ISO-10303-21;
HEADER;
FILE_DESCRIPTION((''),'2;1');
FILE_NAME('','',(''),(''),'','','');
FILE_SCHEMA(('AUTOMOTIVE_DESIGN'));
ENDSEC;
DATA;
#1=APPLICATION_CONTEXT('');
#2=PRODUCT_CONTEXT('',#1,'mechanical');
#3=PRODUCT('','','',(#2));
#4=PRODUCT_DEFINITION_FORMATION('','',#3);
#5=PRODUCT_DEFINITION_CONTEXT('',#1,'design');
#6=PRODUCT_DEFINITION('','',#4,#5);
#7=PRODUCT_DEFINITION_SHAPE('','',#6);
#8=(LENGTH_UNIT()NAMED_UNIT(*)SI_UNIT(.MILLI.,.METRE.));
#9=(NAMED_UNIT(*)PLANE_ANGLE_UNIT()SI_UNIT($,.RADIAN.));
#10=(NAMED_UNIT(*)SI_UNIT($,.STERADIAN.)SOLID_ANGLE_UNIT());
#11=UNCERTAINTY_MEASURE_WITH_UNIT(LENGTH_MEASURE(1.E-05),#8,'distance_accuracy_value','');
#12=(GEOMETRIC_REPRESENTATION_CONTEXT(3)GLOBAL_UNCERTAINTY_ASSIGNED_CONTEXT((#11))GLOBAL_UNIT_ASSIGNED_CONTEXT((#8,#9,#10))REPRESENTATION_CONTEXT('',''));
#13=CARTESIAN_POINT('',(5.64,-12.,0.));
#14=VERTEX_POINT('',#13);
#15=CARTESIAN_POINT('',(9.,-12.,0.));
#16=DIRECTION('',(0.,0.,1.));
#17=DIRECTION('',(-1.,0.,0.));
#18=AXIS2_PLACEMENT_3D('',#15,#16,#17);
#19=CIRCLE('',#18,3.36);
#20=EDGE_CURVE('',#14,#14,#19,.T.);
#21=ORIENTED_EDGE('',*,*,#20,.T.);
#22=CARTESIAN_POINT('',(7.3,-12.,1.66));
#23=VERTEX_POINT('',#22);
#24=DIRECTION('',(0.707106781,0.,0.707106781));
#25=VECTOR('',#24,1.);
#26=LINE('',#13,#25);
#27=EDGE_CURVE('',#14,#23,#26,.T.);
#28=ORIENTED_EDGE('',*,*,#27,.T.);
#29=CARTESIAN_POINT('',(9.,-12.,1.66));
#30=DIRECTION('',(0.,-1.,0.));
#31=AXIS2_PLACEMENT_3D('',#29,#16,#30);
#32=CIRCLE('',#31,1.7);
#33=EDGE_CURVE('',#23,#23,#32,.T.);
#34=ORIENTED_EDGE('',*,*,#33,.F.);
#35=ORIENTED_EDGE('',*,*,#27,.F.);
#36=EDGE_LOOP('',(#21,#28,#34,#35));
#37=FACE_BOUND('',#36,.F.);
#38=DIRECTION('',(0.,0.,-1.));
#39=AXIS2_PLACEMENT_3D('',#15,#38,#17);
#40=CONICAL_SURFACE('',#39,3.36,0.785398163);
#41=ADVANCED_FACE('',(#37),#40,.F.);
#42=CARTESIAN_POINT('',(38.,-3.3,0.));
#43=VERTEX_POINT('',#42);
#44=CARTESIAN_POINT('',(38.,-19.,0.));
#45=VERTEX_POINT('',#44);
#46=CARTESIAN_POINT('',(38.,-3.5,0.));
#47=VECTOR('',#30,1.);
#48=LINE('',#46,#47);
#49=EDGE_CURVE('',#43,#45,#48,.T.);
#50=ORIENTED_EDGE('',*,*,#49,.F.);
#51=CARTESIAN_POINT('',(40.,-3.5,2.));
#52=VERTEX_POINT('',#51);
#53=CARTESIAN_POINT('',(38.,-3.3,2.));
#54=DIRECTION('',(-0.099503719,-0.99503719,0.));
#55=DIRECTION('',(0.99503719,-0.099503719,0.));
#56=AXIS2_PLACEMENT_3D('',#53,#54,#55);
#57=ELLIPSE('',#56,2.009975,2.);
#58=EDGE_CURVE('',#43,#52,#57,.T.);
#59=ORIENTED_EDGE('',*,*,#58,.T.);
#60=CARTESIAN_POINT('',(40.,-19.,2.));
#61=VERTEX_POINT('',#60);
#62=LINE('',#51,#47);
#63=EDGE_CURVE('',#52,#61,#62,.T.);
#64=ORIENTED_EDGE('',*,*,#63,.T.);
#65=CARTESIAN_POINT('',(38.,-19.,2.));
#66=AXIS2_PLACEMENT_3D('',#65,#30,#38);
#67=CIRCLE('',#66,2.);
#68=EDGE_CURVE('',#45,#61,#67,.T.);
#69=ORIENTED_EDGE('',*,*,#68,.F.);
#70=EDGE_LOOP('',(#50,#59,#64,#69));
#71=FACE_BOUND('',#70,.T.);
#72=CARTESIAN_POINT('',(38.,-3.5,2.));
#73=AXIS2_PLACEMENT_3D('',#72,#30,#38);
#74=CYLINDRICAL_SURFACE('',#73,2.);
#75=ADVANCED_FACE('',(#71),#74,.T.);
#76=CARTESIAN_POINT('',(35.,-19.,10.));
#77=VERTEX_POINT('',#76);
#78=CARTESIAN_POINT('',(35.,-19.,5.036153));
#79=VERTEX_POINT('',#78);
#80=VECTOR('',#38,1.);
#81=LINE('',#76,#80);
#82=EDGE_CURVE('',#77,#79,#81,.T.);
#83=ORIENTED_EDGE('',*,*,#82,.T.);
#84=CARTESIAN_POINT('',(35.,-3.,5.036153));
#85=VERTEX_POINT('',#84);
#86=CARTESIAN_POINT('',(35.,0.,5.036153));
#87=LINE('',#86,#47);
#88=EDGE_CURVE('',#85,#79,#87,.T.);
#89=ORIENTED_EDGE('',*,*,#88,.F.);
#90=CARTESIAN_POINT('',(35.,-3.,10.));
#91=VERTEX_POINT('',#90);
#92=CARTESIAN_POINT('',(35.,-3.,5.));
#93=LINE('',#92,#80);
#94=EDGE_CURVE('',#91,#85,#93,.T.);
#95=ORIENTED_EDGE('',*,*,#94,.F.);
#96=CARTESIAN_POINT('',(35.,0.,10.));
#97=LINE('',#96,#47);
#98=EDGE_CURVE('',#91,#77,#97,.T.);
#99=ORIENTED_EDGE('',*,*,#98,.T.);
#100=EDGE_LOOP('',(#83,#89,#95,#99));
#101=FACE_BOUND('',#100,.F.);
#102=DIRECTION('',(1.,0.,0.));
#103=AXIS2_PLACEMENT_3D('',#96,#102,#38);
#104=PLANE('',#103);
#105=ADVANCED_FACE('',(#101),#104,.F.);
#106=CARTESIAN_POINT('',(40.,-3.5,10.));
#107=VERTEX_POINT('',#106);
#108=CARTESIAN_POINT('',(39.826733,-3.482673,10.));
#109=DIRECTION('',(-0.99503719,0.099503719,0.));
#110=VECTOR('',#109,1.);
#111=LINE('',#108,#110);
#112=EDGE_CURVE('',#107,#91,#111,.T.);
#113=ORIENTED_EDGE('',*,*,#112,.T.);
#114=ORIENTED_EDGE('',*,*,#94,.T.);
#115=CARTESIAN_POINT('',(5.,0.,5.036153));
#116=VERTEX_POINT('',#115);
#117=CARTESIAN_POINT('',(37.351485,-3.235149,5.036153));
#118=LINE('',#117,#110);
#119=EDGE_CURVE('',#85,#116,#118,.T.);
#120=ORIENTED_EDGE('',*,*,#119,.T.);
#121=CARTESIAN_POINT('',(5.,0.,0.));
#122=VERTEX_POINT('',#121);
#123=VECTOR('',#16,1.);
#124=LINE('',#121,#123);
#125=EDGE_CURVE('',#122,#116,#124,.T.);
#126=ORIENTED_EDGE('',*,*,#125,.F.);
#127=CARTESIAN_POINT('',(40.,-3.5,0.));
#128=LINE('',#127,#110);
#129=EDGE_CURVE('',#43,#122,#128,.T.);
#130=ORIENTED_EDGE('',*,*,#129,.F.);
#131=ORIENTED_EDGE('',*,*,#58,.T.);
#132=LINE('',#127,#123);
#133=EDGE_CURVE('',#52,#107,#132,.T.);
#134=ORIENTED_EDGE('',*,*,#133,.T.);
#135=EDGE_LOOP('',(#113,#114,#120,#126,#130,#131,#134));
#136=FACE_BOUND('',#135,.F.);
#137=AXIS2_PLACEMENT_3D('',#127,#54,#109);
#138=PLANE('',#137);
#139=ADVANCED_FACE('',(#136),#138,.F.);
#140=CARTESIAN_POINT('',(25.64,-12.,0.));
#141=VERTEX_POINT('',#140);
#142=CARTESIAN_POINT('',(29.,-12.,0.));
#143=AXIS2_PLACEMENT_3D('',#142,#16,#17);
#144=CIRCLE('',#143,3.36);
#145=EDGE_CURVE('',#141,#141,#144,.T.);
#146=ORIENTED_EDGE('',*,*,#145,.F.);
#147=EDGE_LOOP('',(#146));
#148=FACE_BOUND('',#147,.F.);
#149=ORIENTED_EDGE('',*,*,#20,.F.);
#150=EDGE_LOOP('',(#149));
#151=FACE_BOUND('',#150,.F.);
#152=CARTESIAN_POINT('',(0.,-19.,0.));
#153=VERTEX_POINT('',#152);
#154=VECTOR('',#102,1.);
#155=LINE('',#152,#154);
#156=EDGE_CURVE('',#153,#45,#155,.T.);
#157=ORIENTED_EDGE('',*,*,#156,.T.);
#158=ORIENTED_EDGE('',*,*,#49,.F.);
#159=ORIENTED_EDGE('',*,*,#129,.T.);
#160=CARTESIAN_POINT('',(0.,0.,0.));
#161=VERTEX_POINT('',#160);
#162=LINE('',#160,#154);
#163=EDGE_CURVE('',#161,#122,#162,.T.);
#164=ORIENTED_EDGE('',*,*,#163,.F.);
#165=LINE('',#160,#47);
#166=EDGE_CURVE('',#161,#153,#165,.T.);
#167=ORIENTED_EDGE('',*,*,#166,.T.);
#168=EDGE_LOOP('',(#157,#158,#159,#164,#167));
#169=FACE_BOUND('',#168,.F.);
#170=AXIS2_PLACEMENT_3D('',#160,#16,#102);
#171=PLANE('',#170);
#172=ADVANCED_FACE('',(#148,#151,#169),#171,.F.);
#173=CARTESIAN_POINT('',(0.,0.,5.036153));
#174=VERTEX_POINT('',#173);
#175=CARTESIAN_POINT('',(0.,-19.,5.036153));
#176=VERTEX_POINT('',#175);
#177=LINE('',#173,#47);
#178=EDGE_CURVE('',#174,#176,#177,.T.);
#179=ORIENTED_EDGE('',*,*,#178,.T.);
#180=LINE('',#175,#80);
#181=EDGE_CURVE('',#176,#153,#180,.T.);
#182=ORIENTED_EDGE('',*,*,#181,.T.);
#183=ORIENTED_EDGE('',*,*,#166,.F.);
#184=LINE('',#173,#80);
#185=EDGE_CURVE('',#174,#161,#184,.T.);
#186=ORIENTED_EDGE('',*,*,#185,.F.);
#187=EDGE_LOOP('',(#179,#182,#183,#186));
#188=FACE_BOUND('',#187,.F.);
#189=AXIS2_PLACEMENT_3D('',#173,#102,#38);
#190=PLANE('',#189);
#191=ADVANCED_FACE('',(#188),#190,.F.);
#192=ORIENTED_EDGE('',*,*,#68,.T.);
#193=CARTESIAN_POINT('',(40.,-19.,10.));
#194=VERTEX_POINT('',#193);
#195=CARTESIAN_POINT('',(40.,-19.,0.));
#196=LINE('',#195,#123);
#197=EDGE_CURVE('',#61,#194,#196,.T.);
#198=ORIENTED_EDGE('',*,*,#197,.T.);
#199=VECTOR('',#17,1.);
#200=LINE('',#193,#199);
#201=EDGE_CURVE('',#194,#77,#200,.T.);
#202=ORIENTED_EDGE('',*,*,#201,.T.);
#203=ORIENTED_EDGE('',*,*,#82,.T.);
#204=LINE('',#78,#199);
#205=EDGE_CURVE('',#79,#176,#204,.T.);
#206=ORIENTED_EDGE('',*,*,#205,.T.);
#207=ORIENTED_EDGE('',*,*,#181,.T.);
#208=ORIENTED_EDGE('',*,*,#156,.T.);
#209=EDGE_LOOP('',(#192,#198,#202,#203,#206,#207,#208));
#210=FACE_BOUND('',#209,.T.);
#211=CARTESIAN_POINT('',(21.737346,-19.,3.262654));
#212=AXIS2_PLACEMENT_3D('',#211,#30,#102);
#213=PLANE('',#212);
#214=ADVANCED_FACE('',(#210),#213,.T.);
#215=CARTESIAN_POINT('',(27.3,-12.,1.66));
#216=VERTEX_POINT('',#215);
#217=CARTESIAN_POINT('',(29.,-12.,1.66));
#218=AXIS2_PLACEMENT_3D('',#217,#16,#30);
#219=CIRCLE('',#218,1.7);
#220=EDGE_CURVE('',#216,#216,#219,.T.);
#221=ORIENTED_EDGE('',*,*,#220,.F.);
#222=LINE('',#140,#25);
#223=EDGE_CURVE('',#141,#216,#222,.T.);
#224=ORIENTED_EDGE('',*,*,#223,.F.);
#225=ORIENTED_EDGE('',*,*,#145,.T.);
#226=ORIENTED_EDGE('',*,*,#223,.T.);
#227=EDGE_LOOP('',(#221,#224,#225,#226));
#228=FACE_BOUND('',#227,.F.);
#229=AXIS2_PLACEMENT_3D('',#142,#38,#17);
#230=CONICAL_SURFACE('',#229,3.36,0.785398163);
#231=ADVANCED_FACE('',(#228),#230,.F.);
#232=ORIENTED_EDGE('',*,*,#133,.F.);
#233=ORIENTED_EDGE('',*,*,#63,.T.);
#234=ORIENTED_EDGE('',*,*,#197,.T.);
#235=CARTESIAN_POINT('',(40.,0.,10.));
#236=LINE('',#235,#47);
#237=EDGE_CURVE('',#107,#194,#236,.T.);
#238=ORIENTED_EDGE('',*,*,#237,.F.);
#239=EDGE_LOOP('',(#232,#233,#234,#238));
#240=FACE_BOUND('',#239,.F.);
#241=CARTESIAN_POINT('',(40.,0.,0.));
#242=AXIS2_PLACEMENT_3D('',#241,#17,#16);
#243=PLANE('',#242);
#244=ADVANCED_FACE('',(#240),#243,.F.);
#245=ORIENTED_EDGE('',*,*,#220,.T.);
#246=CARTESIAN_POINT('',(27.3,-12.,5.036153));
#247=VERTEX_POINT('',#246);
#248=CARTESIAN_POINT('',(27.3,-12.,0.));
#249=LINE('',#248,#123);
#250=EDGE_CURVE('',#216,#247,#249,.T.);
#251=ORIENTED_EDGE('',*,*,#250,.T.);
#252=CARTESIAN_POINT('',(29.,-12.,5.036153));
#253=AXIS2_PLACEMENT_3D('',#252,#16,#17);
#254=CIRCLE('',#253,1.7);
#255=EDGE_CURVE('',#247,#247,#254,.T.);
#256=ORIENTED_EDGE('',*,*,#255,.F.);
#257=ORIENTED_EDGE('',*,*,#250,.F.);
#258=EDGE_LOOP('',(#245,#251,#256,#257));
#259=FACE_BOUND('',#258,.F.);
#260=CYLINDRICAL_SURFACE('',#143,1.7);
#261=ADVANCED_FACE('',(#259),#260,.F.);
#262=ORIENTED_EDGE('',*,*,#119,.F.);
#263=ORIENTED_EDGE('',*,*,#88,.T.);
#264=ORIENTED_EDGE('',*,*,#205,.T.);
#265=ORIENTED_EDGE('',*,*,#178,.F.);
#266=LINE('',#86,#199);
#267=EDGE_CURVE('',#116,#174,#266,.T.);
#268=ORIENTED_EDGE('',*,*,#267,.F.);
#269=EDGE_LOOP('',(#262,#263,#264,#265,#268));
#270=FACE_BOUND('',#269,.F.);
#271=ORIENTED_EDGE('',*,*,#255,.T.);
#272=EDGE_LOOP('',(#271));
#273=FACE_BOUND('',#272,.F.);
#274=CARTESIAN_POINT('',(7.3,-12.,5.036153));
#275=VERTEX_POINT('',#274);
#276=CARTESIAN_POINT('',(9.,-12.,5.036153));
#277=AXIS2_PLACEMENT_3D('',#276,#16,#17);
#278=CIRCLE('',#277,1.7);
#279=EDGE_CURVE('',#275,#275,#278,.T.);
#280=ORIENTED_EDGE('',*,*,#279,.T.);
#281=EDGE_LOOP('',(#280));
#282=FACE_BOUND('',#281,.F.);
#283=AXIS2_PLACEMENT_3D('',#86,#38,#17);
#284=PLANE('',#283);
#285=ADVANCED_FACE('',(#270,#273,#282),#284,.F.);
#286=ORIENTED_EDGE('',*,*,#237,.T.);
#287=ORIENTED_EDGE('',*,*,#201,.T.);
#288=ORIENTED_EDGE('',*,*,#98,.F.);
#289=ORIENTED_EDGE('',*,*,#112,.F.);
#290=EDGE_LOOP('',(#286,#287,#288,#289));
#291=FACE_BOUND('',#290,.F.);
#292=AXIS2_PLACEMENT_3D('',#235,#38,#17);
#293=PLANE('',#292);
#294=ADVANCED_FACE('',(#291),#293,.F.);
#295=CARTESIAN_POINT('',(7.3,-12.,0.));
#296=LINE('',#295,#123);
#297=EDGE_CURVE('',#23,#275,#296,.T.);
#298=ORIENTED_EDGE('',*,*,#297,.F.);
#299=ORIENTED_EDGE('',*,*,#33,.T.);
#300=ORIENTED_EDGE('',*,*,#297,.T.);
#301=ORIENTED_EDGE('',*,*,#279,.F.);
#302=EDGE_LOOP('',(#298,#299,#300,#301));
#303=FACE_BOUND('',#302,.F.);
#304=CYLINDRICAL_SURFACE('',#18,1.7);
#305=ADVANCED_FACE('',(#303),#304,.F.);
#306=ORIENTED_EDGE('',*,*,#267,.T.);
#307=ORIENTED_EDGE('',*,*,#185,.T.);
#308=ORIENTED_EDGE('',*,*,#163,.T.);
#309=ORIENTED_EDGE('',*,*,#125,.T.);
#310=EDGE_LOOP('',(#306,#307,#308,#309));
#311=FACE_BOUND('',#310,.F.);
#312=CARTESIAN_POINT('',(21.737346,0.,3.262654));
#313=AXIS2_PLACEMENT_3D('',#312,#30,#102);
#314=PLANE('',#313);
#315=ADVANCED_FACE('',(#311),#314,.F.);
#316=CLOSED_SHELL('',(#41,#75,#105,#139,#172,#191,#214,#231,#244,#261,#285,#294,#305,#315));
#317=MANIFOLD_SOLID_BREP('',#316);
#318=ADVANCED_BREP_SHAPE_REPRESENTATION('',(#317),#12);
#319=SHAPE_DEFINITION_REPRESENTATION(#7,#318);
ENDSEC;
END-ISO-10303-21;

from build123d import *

# Parameters (mm, degrees)
F1_DEPTH       = 19
F3_D           = 3.4
F3_CSINK_D     = 6.72
F3_CSINK_ANGLE = 90
F5_DEPTH       = 25
F6_R           = 2


with BuildPart() as f1:
    # F0 (on Front) → F1 (new body)
    with BuildSketch(Plane.XZ):
        Polygon((0, 5.0361528993), (0, 0), (40, 0), (40, 10), (35, 10), (35, 5.0361528993), align=None)
    extrude(amount=F1_DEPTH)

    # F3 (through all)
    with Locations(Plane(origin=(0, 0, 0), x_dir=(1, 0, 0), z_dir=(0, 0, -1))):
        with Locations((9, 12), (29, 12)):
            CounterSinkHole(F3_D / 2, F3_CSINK_D / 2, counter_sink_angle=F3_CSINK_ANGLE)

    # F4 (on face) → F5 (cut)
    with BuildSketch(Plane(origin=(0, 0, 0), x_dir=(1, 0, 0), z_dir=(0, 0, -1))):
        Polygon((40, 3.5), (5, 0), (40, 0), align=None)
    extrude(amount=-F5_DEPTH, mode=Mode.SUBTRACT)

    # F6
    f6_edges = [f1.edges().sort_by_distance(p)[0] for p in [
        (40, -11.25, 0),
    ]]
    fillet(f6_edges, radius=F6_R)


solid = f1.part
